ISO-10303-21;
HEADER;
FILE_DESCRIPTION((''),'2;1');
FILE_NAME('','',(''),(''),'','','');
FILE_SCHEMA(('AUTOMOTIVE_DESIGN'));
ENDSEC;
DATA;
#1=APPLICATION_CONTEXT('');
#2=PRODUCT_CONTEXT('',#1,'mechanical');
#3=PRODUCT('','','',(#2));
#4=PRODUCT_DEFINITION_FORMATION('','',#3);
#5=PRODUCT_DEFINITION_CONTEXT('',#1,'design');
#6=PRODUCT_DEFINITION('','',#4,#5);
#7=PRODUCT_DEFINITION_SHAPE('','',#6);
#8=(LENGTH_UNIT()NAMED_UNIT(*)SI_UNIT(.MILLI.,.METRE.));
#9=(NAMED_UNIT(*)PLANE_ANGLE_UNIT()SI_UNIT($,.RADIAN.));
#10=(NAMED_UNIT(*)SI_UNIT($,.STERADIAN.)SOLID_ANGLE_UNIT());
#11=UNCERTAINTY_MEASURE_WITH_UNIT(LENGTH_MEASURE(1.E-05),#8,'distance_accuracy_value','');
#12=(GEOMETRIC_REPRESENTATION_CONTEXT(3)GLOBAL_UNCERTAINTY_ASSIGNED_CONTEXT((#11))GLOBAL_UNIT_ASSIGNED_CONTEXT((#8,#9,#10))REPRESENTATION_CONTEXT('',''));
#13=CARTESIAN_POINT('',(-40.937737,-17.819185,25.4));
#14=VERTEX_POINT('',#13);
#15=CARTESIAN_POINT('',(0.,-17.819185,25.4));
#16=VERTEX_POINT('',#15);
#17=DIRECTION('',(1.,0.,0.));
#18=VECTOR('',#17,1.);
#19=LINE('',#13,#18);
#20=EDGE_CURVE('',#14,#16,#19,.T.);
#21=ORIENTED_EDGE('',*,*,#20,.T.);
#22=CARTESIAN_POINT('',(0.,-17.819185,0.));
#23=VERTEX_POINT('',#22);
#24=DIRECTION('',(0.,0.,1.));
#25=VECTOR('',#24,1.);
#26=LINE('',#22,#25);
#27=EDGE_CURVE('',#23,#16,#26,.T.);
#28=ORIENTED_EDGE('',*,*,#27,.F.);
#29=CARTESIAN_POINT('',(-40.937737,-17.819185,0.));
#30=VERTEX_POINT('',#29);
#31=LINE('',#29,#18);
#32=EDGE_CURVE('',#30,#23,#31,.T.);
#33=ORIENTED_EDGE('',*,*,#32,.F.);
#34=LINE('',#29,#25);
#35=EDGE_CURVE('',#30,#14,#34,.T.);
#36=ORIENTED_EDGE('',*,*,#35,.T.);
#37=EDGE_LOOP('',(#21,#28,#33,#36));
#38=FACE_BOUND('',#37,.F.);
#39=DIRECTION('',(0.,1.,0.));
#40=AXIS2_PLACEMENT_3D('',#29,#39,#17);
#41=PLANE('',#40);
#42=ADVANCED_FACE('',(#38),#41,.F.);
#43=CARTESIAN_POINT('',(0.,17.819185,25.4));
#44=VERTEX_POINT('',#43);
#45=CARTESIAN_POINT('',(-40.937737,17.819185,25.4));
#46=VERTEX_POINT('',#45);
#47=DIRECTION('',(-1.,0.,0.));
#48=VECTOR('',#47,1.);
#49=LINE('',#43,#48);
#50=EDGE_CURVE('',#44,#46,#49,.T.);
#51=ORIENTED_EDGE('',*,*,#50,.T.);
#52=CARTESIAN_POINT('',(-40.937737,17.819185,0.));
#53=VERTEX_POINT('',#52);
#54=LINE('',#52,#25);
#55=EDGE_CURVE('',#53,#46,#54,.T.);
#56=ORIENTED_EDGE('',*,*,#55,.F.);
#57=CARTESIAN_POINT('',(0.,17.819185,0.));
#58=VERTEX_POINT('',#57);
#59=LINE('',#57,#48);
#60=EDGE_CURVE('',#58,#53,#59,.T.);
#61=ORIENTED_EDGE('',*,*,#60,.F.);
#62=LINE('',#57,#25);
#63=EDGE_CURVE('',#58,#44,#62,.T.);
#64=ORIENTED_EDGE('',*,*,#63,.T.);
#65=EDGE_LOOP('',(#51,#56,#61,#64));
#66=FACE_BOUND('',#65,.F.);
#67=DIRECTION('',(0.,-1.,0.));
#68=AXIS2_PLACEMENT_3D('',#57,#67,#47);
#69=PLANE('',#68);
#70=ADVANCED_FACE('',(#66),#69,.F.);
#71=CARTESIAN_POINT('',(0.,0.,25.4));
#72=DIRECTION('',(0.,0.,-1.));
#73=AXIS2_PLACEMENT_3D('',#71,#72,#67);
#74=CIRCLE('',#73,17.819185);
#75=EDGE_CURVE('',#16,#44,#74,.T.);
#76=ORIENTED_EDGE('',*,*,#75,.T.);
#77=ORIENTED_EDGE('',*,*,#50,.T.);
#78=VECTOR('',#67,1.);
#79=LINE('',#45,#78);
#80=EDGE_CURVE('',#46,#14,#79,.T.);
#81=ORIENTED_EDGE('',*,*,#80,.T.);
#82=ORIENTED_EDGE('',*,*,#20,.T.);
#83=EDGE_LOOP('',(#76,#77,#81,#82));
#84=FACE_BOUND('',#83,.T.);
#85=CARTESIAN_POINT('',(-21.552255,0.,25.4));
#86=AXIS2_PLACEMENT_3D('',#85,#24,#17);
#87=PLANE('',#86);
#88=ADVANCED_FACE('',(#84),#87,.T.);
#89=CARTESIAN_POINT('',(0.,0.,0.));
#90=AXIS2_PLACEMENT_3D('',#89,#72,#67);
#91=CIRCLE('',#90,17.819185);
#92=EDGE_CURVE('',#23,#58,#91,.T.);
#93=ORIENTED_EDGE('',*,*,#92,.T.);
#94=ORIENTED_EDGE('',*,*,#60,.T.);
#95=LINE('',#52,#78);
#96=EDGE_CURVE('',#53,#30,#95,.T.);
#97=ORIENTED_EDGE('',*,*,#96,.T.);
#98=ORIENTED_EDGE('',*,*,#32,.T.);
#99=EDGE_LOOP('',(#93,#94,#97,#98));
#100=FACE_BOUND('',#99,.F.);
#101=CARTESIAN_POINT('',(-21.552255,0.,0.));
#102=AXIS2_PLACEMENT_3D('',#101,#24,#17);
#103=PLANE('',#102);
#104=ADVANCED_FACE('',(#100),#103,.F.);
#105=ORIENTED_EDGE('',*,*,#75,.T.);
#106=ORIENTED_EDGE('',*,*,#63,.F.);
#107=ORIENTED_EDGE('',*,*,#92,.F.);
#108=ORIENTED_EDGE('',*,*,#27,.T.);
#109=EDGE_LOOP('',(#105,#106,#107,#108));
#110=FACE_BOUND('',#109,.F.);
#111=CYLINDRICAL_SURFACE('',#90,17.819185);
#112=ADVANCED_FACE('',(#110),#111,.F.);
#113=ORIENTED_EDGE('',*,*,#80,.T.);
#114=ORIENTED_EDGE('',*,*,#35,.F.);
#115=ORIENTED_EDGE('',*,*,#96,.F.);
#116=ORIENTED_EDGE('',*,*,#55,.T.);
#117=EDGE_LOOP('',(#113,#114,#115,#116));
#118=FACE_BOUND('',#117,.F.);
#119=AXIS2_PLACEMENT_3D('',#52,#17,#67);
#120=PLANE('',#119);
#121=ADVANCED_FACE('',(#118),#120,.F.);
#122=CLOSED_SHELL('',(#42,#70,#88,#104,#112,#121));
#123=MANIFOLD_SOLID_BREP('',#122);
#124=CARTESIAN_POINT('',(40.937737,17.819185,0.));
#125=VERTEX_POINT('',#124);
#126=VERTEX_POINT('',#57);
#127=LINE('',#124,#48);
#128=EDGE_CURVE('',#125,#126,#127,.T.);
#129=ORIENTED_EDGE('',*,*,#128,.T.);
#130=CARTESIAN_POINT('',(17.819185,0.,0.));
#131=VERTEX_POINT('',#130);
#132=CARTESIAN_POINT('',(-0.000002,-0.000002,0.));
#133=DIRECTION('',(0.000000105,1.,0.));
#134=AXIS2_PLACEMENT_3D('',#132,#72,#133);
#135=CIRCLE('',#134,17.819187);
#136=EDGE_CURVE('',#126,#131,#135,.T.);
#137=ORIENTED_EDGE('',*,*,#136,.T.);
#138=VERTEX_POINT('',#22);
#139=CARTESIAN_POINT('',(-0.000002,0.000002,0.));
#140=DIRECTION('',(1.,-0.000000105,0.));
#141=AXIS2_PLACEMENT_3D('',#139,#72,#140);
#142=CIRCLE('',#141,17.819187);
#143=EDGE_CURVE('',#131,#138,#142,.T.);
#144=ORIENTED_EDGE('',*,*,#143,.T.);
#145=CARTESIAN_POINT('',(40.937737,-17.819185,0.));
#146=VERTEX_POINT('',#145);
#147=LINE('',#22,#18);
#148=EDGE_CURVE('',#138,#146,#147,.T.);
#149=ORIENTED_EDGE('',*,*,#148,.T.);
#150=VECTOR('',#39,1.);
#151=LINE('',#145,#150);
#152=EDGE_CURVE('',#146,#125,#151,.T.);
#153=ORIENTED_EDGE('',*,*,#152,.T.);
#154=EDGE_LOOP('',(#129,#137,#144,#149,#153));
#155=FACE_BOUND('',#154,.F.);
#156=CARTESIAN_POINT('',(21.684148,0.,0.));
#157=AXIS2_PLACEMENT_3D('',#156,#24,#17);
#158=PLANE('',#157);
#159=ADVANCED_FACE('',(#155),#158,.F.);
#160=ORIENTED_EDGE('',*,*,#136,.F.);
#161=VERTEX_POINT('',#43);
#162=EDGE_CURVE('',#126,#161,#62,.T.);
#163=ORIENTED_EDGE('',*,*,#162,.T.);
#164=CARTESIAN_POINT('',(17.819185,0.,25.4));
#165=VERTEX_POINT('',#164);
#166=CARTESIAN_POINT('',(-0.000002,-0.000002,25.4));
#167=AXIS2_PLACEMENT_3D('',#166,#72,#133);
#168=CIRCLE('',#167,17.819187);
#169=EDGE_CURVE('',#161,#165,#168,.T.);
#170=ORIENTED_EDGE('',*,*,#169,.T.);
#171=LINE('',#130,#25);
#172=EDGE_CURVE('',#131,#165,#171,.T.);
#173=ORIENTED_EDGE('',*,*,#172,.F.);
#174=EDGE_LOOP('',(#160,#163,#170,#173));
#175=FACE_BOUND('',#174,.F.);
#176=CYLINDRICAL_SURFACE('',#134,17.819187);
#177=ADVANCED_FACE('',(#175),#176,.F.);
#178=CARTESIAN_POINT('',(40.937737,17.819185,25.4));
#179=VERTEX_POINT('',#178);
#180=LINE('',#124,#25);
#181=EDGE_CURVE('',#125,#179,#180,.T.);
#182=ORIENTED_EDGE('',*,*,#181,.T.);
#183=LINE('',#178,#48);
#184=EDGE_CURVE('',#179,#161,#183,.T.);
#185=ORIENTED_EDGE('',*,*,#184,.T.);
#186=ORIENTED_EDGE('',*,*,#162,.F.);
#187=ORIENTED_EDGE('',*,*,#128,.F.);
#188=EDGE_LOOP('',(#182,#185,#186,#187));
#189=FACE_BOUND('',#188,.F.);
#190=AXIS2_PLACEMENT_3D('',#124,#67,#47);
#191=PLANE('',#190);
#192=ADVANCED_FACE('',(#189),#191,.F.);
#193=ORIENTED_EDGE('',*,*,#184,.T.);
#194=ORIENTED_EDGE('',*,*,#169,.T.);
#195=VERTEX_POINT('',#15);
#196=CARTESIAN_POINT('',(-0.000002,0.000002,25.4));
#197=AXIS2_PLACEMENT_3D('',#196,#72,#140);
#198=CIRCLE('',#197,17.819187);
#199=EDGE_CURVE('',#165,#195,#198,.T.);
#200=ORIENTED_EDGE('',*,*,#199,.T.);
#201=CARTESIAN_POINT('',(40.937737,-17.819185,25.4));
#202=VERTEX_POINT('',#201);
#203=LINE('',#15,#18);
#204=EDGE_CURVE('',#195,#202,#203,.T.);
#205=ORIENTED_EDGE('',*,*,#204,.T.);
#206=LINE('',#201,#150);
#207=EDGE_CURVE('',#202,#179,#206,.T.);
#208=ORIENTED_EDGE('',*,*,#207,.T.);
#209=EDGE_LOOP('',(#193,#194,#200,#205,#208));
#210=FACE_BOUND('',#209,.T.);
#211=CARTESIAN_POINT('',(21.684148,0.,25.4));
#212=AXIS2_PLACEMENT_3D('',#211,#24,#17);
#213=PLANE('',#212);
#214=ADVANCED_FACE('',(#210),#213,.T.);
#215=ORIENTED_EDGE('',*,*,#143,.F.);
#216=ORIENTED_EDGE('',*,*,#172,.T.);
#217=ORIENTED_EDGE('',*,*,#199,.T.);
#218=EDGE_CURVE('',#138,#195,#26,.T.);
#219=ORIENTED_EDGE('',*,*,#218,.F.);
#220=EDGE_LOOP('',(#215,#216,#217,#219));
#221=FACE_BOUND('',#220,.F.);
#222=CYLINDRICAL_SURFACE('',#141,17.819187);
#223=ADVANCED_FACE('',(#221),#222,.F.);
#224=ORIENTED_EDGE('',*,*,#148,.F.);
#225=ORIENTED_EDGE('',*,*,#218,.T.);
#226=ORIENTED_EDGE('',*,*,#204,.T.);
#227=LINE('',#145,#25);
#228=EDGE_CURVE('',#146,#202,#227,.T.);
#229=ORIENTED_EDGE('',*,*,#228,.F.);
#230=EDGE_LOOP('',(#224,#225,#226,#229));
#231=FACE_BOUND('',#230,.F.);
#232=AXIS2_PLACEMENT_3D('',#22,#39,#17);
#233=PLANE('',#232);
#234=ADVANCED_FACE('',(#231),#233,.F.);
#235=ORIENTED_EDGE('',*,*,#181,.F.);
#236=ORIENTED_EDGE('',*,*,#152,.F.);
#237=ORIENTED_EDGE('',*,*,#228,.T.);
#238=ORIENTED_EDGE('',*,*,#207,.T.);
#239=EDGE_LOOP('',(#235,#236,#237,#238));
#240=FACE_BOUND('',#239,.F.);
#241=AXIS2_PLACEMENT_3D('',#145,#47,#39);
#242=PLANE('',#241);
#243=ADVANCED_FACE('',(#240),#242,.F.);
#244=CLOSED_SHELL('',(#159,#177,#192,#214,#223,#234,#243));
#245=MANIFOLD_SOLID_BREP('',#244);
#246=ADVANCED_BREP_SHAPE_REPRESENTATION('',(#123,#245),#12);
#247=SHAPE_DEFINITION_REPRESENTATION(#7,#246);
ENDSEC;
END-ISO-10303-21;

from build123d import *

# Parameters (mm, degrees)
F1_DEPTH = 25.4


with BuildPart() as f1:
    # F0 (on Top) → F1 (new body)
    with BuildSketch(Plane.XY):
        with BuildLine():
            Line((0, -17.819185), (40.937737, -17.819185))
            Line((40.937737, -17.819185), (40.937737, 17.819185))
            Line((40.937737, 17.819185), (0, 17.819185))
            ThreePointArc((0, 17.819185), (12.600066, 12.600066), (17.819185, 0))
            ThreePointArc((17.819185, 0), (12.600066, -12.600066), (0, -17.819185))
        make_face()
        with BuildLine():
            Line((-40.937737, -17.819185), (0, -17.819185))
            ThreePointArc((0, -17.819185), (-17.819185, 0), (0, 17.819185))
            Line((0, 17.819185), (-40.937737, 17.819185))
            Line((-40.937737, 17.819185), (-40.937737, -17.819185))
        make_face()
    extrude(amount=F1_DEPTH)


solid = f1.part
